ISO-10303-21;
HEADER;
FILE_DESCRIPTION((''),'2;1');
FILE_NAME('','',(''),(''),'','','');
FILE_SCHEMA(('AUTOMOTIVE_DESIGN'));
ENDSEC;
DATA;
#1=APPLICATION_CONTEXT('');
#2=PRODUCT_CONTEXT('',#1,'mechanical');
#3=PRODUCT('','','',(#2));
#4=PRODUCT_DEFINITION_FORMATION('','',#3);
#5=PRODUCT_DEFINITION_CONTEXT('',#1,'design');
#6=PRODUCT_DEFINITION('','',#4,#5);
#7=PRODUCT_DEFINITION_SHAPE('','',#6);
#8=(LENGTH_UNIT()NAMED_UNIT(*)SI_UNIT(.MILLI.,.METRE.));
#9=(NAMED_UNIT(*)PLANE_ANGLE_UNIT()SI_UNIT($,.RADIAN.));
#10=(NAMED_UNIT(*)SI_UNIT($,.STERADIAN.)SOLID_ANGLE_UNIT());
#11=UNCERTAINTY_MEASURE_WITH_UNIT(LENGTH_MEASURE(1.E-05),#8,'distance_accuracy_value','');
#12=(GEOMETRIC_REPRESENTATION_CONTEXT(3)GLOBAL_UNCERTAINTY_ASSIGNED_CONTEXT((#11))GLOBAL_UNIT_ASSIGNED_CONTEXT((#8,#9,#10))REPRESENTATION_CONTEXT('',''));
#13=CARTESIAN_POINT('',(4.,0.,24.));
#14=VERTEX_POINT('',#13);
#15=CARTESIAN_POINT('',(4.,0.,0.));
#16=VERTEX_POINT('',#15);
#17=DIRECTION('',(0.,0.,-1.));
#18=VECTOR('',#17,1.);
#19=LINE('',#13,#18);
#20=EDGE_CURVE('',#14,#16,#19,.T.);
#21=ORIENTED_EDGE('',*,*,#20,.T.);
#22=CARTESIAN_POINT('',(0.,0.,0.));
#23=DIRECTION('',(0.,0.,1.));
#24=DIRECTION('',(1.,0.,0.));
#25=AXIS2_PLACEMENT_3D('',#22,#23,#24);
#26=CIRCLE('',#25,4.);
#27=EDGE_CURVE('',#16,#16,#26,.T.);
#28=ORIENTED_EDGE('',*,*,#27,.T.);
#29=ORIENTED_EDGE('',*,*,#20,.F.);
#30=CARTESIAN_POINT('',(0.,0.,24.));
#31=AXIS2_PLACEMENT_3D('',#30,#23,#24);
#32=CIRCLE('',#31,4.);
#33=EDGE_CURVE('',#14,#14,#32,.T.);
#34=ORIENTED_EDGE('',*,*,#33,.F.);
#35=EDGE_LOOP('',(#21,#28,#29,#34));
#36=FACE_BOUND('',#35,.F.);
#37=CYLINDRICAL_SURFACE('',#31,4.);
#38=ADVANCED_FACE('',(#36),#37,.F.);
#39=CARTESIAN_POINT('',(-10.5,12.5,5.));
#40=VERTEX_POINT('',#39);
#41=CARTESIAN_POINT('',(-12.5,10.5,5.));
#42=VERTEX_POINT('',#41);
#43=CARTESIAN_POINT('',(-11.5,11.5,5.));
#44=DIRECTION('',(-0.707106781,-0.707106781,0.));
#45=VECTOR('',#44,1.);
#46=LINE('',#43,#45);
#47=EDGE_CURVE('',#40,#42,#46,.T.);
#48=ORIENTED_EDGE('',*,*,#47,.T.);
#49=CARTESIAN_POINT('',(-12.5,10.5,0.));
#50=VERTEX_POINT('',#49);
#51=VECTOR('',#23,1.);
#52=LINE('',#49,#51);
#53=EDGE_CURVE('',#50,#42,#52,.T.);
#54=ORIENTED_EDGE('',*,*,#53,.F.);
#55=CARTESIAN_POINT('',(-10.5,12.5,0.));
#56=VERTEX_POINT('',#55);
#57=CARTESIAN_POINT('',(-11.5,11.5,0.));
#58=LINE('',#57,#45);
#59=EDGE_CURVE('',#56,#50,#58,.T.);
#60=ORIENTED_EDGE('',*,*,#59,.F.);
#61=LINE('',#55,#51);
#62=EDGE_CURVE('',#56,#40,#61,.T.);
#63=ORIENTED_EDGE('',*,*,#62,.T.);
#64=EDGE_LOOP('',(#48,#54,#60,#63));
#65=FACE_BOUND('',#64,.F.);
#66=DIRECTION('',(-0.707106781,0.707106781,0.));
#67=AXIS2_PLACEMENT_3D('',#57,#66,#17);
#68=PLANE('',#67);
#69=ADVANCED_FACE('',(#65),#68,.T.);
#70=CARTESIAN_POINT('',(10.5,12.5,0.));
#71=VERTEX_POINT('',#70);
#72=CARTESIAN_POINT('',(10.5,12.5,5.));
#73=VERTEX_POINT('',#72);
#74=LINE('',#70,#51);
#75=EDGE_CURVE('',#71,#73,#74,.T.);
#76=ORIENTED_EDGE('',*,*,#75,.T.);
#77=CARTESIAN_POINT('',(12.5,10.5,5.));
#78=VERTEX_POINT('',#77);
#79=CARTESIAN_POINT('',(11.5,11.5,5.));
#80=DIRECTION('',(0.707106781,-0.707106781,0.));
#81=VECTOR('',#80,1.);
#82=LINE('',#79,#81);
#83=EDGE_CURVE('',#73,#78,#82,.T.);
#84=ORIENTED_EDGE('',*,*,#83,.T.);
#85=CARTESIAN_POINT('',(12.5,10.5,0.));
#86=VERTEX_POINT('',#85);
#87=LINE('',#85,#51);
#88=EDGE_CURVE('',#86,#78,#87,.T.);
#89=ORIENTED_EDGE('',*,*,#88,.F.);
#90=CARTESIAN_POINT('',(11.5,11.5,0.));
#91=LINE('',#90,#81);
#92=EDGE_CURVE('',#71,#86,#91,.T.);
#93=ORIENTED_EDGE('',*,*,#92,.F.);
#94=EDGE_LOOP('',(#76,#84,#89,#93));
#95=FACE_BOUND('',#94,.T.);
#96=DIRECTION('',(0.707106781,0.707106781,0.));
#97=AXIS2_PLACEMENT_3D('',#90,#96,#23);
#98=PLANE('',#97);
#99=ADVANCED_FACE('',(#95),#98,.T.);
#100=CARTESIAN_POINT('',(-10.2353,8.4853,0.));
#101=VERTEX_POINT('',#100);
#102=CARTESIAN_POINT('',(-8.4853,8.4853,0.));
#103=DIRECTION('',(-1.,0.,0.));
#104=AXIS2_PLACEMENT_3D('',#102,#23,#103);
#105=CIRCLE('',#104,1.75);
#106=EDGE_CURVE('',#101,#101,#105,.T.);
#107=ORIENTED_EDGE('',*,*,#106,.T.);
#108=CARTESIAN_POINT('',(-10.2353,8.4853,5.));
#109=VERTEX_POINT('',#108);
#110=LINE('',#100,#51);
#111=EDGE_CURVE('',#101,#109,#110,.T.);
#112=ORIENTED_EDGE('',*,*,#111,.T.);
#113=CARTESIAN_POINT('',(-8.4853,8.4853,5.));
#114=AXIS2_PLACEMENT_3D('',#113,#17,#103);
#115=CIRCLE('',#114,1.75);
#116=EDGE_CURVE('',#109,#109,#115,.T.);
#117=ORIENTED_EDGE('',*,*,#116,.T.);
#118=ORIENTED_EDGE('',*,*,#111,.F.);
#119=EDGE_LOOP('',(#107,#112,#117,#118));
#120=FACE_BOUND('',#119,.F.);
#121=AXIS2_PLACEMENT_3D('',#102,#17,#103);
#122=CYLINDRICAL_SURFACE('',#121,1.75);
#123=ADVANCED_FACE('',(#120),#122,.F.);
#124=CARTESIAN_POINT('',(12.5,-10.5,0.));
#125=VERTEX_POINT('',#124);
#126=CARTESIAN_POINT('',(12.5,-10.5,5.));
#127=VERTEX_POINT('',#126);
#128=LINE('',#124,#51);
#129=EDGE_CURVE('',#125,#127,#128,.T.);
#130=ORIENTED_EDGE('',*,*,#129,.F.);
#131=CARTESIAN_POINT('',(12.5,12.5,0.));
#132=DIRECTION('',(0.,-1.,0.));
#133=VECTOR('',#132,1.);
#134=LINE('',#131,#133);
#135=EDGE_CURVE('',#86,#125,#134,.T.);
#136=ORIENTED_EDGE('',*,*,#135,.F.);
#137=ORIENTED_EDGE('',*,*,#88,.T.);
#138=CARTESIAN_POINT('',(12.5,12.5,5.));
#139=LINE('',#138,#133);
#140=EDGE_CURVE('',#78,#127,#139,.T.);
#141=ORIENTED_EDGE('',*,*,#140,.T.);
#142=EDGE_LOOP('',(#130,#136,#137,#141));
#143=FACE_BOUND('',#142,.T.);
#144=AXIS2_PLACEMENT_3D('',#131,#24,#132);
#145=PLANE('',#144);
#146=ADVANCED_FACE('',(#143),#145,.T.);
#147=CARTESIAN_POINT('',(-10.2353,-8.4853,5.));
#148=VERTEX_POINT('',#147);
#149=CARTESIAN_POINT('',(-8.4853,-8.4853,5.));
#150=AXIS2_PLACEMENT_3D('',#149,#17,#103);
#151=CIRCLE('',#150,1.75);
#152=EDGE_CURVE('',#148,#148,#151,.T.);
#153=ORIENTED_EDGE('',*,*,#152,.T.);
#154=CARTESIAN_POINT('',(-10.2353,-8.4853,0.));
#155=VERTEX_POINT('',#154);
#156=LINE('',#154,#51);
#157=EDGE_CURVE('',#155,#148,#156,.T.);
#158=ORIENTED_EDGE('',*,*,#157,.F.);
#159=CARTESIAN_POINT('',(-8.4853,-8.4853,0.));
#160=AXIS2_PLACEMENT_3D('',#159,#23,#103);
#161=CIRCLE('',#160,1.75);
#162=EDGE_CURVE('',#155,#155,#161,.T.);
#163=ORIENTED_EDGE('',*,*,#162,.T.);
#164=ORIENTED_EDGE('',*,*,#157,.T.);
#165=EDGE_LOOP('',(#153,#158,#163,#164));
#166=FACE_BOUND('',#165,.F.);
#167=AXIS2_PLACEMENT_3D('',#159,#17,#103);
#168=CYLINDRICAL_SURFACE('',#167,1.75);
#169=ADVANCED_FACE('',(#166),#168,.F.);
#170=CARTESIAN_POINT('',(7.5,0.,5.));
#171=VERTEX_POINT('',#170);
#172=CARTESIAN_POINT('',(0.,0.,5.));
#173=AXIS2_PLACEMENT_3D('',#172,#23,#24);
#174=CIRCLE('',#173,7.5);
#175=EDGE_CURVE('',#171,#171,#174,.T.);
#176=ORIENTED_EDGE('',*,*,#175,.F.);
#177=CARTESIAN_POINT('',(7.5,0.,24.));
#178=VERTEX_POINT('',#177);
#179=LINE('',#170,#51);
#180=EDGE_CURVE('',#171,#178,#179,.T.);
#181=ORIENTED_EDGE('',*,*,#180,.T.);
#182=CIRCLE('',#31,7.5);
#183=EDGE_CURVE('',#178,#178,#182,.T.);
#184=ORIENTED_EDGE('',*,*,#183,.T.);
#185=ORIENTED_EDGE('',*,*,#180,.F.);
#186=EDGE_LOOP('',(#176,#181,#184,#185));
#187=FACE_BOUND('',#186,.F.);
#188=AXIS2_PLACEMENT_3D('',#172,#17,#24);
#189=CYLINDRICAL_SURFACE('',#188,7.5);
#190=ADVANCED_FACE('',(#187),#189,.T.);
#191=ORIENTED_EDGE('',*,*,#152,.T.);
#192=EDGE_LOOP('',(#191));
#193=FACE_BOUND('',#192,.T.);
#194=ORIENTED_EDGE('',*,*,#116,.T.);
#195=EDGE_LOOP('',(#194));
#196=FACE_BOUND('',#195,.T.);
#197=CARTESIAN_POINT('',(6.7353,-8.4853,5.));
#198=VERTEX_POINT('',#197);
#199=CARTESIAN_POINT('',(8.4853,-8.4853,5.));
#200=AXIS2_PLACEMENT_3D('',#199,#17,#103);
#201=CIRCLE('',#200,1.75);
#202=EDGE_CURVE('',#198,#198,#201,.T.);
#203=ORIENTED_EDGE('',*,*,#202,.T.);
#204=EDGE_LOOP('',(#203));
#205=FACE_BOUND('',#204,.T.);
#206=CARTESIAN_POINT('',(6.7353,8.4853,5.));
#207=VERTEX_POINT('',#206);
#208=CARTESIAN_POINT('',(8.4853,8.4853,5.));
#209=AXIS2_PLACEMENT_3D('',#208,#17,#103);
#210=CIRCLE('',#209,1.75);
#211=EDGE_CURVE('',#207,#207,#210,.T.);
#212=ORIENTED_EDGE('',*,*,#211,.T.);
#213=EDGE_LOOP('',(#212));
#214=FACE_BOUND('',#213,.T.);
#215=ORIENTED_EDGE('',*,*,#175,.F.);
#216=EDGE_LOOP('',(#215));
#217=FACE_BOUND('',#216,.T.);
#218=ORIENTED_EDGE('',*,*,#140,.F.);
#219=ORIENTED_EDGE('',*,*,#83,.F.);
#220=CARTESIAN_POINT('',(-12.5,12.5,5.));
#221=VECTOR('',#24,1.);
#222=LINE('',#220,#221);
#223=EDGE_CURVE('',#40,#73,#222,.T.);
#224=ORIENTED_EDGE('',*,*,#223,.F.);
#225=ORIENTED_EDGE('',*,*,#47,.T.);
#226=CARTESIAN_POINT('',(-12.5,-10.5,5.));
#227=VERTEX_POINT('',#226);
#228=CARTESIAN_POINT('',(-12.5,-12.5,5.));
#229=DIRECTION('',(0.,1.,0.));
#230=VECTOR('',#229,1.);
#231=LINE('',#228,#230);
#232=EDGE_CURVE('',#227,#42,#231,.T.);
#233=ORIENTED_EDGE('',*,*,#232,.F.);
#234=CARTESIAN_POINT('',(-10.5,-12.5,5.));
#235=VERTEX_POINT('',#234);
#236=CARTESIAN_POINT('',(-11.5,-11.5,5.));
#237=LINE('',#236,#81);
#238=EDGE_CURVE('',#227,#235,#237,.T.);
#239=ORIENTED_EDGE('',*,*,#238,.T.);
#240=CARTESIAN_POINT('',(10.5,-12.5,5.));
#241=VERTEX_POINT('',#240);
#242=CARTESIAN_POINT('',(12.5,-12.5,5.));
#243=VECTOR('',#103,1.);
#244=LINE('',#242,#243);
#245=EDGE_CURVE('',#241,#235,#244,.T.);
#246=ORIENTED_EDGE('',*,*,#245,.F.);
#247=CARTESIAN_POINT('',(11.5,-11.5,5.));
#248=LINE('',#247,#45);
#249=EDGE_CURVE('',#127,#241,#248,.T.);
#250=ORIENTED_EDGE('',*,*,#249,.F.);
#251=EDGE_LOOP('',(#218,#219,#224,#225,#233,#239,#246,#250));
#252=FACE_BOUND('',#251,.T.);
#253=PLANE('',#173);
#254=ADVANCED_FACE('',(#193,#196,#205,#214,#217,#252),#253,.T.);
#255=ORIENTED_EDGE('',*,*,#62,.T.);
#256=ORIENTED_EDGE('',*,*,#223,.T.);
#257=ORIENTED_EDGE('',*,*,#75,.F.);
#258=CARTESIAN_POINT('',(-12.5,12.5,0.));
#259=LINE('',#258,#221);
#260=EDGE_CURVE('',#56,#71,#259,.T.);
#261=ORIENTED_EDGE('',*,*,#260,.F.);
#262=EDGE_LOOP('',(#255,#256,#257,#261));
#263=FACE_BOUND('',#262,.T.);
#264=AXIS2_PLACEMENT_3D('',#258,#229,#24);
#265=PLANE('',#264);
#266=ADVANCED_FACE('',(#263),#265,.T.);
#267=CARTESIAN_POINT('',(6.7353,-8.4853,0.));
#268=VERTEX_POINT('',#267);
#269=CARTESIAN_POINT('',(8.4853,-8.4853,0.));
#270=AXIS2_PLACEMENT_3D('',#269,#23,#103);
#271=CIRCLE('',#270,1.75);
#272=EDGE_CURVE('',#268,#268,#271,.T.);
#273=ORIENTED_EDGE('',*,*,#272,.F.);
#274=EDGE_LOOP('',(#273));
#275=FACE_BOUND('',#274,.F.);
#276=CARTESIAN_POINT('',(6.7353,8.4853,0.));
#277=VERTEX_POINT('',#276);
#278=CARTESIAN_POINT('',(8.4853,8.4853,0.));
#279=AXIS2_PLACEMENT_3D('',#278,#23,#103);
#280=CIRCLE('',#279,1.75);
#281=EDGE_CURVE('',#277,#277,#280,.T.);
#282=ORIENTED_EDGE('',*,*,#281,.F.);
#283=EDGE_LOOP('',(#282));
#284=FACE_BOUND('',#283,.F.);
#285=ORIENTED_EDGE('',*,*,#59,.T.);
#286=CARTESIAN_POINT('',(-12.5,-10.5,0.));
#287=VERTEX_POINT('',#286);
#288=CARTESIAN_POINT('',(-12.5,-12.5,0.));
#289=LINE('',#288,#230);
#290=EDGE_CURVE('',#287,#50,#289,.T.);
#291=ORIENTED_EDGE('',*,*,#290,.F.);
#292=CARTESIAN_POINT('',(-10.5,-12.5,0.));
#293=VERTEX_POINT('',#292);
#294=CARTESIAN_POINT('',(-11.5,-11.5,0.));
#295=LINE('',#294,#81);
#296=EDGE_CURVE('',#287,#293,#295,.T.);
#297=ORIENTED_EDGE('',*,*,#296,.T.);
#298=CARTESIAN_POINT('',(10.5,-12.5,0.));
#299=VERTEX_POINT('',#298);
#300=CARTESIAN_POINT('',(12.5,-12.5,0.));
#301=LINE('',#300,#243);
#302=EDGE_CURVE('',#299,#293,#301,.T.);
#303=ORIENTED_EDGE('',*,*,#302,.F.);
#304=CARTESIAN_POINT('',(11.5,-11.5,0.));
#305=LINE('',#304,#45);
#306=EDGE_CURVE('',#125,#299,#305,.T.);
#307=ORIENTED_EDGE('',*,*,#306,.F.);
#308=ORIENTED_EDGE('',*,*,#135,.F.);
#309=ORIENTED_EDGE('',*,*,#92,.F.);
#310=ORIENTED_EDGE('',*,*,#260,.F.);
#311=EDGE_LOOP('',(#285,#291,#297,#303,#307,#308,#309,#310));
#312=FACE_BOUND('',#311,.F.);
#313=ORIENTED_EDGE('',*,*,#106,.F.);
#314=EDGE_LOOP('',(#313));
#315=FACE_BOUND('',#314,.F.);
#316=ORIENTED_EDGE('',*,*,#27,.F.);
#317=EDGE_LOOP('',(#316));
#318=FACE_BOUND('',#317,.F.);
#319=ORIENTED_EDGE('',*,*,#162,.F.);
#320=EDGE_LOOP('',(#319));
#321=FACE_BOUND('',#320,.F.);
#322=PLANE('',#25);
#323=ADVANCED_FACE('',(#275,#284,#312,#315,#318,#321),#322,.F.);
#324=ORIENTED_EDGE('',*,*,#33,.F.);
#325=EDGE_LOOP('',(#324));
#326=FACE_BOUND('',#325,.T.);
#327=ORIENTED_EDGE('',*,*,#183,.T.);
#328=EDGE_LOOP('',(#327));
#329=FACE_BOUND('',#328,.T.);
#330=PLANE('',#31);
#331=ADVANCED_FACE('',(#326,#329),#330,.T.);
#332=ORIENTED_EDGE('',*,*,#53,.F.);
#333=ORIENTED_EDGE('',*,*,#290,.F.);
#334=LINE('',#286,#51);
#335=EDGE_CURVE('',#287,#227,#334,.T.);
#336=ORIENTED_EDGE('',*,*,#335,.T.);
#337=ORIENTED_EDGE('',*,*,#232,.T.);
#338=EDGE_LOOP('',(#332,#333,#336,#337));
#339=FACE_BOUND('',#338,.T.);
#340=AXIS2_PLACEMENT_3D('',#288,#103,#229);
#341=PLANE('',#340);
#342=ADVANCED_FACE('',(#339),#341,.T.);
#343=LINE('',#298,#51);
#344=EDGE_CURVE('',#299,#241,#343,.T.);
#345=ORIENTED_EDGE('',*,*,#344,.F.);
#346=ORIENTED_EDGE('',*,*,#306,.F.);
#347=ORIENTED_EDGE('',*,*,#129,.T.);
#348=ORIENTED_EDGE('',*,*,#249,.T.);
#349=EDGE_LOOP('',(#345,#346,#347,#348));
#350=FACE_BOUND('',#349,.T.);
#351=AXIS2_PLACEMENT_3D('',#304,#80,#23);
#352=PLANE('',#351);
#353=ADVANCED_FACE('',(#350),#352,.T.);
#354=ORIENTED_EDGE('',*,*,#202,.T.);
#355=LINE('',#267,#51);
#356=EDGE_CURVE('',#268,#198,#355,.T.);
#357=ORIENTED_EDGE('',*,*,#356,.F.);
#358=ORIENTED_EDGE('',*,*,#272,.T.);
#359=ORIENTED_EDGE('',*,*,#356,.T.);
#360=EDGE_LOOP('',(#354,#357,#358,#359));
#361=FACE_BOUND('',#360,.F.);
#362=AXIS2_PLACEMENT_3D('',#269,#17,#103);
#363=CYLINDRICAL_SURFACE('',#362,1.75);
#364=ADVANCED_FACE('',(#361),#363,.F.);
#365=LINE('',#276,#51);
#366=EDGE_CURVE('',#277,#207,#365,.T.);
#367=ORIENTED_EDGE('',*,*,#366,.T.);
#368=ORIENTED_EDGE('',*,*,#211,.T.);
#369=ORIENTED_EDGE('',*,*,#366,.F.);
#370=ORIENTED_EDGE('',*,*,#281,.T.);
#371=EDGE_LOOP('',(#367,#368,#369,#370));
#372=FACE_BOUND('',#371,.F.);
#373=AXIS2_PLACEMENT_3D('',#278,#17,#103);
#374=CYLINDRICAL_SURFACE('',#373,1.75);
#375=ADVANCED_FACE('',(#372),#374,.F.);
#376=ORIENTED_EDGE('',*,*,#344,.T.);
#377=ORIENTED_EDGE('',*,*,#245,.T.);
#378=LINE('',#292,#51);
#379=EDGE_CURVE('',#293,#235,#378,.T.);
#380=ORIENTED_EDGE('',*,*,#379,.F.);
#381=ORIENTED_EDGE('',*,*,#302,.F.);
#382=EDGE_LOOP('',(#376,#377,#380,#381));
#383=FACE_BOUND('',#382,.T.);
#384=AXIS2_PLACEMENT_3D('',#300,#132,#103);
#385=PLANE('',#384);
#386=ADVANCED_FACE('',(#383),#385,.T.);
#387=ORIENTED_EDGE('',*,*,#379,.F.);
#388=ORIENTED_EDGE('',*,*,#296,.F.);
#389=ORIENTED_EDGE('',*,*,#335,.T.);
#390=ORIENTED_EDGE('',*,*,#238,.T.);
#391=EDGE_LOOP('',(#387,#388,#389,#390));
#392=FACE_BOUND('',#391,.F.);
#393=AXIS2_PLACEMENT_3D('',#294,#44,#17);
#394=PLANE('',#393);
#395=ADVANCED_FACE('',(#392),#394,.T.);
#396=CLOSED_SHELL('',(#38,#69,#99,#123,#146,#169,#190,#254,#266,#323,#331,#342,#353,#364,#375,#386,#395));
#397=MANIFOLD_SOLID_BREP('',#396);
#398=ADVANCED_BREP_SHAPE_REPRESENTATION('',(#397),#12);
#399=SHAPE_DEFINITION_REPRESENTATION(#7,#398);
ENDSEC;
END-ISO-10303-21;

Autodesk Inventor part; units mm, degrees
ref_plane "YZ Plane" through (0, 0, 0) normal (1, 0, 0) x (0, 1, 0)
ref_plane "XZ Plane" through (0, 0, 0) normal (0, 1, 0) x (-1, 0, 0)
ref_plane "XY Plane" through (0, 0, 0) normal (0, 0, 1) x (1, 0, 0)
sketch "Sketch1" plane through (0, 0, 0) normal (0, 0, 1) x (1, 0, 0)
  line L0 (-12.5, 12.5) -> (12.5, 12.5)
  line L1 (12.5, 12.5) -> (12.5, -12.5)
  line L2 (12.5, -12.5) -> (-12.5, -12.5)
  line L3 (-12.5, -12.5) -> (-12.5, 12.5)
  line L4 (-12.5, 12.5) -> (12.5, -12.5) construction
  line L5 (12.5, 12.5) -> (-12.5, -12.5) construction
  point P0 (0, 0)
  dimension "d0" = 25
  dimension "d1" = 25
extrude "Extrusion1" add sketch "Sketch1" along normal blind 5
sketch "Sketch2" plane through (0, 0, 5) normal (0, 0, 1) x (1, 0, 0)
  circle A0 centre (0, 0) radius 7.5
  dimension "d4" = 15
extrude "Extrusion2" add sketch "Sketch2" along normal blind 19
sketch "Sketch3" plane through (0, 0, 24) normal (0, 0, 1) x (1, 0, 0)
  circle A0 centre (0, 0) radius 4
  dimension "d7" = 8
extrude "Extrusion3" cut sketch "Sketch3" against normal blind 30
sketch "Sketch4" plane through (0, 0, 0) normal (0, 0, -1) x (-1, 0, 0)
  circle A0 centre (0, 0) radius 12
  line L0 (-12.5, -12.5) -> (-12.5, 12.5) projected
  line L1 (12.5, 12.5) -> (12.5, -12.5) projected
  line L2 (-12.5, 12.5) -> (8.4853, -8.4853)
  circle A1 centre (8.4853, -8.4853) radius 1.75
  circle A2 centre (8.4853, 8.4853) radius 1.75
  circle A3 centre (-8.4853, 8.4853) radius 1.75
  circle A4 centre (-8.4853, -8.4853) radius 1.75
  dimension "d10" = 24
  dimension "d11" = 3.5
  dimension "d14" = 360
extrude "Extrusion4" cut sketch "Sketch4" against normal blind 30 contours A2 A0 | A0 A2 | A1 A0 | A0 L2 A1 | A0 A1 L2 | A3 L2 A0 | A0 L2 A3 | A3 A0 L2 | A0 A3 L2 | A4 A0 | A0 A4
chamfer "Chamfer1" distance 2 angle 45 4 edges at (12.5, 12.5, 2.5) (-12.5, 12.5, 2.5) (-12.5, -12.5, 2.5) (12.5, -12.5, 2.5)
properties part number "RODAMIENTO LINEAL"
